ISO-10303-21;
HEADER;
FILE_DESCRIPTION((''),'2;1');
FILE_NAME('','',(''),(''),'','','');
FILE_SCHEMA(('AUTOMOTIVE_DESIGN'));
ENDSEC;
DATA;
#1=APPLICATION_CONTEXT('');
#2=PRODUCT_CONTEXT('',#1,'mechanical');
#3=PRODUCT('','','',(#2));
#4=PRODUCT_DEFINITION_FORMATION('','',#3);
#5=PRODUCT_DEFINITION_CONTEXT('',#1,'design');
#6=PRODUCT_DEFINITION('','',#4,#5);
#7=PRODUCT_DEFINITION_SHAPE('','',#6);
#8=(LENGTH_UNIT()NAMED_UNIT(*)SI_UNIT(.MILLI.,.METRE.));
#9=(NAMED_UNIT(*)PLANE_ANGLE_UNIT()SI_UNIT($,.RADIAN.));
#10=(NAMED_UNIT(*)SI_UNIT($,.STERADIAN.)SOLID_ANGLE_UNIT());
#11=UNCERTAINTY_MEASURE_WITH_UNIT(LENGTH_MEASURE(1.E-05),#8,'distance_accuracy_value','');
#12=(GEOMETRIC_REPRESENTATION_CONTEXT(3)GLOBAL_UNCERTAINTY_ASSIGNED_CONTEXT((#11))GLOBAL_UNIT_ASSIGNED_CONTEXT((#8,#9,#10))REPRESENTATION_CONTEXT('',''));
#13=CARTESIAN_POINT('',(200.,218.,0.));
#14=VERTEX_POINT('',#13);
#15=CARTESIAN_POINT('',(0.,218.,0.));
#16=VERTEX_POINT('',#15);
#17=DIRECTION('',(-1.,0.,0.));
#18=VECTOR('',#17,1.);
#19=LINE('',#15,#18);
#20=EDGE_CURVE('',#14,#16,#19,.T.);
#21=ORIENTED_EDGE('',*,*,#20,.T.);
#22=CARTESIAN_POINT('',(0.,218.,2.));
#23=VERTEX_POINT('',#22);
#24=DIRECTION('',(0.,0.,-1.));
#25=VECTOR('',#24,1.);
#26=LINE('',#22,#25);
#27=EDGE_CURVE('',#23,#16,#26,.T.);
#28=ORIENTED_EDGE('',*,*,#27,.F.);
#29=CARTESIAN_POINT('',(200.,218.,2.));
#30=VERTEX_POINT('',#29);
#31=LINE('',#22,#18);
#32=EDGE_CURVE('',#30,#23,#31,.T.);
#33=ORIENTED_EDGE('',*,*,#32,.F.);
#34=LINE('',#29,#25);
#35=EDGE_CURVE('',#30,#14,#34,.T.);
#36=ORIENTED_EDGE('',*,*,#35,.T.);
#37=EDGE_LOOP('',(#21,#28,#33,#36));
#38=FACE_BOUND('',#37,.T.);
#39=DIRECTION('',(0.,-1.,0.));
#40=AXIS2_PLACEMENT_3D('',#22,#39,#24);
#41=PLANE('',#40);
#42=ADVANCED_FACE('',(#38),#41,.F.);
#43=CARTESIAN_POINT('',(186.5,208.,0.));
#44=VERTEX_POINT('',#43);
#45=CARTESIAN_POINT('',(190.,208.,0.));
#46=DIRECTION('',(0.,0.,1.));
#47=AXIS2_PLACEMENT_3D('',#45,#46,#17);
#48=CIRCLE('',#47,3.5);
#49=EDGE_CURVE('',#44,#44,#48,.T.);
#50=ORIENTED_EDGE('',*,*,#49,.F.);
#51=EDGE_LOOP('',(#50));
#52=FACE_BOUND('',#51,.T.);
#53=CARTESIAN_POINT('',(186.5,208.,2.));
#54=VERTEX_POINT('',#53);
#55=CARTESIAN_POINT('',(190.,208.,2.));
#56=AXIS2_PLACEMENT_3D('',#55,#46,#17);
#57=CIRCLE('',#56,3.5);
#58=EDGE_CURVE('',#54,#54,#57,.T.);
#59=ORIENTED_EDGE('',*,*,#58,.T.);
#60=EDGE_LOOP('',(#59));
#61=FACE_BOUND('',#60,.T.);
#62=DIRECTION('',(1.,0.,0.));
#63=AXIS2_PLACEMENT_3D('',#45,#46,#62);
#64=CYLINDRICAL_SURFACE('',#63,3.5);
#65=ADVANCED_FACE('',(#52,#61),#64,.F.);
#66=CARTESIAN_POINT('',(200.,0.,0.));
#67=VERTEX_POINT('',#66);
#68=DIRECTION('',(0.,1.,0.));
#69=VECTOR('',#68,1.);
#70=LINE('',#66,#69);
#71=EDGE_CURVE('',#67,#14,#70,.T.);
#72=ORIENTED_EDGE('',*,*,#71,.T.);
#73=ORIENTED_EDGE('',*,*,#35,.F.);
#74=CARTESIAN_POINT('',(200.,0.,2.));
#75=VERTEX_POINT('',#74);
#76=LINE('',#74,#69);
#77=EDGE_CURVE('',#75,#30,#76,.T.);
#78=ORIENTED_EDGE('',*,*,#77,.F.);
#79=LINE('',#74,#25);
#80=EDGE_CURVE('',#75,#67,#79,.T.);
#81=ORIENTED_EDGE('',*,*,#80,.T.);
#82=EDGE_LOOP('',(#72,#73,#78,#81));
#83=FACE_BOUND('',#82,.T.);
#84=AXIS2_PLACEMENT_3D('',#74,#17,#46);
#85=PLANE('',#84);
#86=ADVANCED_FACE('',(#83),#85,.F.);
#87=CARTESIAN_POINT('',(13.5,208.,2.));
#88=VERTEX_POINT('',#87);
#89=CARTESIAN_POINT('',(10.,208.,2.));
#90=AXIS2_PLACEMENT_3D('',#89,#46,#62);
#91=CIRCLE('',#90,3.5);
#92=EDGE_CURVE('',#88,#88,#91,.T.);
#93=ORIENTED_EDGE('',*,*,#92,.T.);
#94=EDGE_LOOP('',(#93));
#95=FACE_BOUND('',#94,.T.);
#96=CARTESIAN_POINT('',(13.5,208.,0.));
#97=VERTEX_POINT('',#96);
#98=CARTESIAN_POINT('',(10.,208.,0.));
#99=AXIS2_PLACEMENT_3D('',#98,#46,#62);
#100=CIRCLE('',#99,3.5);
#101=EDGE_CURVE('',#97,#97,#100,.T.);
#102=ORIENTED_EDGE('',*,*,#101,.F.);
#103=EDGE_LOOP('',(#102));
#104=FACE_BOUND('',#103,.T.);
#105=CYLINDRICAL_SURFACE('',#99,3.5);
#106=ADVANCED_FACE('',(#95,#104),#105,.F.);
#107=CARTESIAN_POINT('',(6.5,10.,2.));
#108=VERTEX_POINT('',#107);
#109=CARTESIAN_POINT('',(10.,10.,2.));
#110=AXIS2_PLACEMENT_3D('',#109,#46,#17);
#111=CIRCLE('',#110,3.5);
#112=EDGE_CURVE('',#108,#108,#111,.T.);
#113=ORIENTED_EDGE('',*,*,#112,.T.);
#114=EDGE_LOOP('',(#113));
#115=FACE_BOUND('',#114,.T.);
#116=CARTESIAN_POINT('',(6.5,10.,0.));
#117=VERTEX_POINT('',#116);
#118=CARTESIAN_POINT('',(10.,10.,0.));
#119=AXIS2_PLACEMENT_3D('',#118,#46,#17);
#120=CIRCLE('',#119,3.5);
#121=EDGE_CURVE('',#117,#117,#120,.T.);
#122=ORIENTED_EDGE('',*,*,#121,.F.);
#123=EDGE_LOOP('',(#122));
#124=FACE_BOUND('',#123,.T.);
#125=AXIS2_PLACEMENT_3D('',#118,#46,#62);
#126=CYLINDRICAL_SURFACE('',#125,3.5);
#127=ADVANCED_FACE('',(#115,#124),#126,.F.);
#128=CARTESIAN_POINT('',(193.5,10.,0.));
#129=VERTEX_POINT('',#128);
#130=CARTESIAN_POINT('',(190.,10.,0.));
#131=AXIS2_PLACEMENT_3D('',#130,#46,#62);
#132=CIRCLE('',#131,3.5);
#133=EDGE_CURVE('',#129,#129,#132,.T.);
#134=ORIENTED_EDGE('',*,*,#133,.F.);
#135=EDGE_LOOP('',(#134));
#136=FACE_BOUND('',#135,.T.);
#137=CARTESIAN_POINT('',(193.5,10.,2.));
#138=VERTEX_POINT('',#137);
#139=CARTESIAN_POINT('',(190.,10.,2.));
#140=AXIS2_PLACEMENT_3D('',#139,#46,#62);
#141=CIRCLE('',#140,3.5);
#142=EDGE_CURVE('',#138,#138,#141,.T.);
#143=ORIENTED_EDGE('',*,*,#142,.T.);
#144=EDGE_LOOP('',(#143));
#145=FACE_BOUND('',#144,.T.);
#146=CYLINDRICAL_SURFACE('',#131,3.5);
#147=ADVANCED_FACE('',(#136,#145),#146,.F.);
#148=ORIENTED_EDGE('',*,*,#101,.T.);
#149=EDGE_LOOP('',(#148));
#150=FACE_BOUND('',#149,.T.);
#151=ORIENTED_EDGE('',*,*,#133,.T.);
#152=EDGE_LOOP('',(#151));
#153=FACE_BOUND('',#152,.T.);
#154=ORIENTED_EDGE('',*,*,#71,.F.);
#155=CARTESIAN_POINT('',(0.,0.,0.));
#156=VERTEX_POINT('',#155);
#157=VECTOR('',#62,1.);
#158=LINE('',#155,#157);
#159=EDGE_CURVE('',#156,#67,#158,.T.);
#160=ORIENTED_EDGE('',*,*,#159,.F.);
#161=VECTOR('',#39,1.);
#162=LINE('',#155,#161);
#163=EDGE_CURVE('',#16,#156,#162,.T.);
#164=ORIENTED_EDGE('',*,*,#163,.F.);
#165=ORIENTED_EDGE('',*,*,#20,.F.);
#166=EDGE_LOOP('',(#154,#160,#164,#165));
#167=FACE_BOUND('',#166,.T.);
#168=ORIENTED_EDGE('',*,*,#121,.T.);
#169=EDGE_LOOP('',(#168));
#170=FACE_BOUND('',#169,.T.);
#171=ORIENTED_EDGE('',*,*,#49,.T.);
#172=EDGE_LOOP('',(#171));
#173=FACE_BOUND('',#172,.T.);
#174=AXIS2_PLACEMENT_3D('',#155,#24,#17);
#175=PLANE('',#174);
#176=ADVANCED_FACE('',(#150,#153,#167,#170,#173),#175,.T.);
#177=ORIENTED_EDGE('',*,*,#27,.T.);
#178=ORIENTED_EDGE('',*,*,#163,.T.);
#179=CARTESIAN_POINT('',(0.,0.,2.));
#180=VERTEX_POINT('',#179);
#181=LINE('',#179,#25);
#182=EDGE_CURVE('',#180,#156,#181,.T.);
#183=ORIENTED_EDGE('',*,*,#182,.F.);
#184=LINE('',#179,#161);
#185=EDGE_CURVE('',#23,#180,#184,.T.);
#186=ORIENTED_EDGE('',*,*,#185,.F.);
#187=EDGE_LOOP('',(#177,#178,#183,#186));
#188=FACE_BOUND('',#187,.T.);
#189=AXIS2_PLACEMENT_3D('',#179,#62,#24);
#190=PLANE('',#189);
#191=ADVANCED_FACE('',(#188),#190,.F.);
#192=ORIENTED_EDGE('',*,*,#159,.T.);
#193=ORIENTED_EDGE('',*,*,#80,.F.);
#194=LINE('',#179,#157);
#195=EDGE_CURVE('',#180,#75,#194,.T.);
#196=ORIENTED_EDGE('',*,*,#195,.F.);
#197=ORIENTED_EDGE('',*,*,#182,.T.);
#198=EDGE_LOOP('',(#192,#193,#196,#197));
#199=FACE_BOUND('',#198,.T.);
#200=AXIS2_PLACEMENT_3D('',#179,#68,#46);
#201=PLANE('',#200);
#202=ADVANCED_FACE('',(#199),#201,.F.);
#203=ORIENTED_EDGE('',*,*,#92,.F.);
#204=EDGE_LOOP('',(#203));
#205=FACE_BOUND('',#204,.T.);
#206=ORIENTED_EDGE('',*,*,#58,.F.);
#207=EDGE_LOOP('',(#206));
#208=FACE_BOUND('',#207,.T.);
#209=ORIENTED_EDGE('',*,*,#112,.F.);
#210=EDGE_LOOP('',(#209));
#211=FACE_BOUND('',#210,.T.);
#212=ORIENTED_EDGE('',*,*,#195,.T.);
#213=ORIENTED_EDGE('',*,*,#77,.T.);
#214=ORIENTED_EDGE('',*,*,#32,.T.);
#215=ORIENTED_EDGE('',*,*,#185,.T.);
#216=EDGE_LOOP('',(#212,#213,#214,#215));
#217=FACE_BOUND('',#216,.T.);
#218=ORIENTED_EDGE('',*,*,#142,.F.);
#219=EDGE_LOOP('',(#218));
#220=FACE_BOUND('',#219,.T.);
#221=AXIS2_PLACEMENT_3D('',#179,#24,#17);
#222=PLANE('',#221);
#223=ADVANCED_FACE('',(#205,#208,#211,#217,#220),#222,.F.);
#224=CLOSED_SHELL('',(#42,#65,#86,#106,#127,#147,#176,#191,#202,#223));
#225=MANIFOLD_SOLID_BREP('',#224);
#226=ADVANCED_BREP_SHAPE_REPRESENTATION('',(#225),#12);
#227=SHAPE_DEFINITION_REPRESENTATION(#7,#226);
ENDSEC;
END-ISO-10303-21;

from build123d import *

# Parameters (mm, degrees)
SKETCH_1_W          = 200
SKETCH_1_H          = 218
EXTRUDE_1_DEPTH     = 2
SKETCH_2_R          = 3.5
CUT_EXTRUDE_1_DEPTH = 296.851314008


with BuildPart() as part:
    # 草图1 → 凸台-拉伸1 (new body)
    with BuildSketch(Plane.XY):
        with Locations((100, 109)):
            Rectangle(SKETCH_1_W, SKETCH_1_H)
    extrude(amount=EXTRUDE_1_DEPTH)

    # 草图2 → 切除-拉伸1 (cut, through all)
    with BuildSketch(Plane.XY.offset(2)):
        with Locations((10, 208)):
            Circle(SKETCH_2_R)
        with Locations(Location((190, 208, 0), (0, 0, 180))):
            Circle(SKETCH_2_R)
        with Locations((190, 10)):
            Circle(SKETCH_2_R)
        with Locations(Location((10, 10, 0), (0, 0, 180))):
            Circle(SKETCH_2_R)
    extrude(amount=-CUT_EXTRUDE_1_DEPTH, mode=Mode.SUBTRACT)


solid = part.part
